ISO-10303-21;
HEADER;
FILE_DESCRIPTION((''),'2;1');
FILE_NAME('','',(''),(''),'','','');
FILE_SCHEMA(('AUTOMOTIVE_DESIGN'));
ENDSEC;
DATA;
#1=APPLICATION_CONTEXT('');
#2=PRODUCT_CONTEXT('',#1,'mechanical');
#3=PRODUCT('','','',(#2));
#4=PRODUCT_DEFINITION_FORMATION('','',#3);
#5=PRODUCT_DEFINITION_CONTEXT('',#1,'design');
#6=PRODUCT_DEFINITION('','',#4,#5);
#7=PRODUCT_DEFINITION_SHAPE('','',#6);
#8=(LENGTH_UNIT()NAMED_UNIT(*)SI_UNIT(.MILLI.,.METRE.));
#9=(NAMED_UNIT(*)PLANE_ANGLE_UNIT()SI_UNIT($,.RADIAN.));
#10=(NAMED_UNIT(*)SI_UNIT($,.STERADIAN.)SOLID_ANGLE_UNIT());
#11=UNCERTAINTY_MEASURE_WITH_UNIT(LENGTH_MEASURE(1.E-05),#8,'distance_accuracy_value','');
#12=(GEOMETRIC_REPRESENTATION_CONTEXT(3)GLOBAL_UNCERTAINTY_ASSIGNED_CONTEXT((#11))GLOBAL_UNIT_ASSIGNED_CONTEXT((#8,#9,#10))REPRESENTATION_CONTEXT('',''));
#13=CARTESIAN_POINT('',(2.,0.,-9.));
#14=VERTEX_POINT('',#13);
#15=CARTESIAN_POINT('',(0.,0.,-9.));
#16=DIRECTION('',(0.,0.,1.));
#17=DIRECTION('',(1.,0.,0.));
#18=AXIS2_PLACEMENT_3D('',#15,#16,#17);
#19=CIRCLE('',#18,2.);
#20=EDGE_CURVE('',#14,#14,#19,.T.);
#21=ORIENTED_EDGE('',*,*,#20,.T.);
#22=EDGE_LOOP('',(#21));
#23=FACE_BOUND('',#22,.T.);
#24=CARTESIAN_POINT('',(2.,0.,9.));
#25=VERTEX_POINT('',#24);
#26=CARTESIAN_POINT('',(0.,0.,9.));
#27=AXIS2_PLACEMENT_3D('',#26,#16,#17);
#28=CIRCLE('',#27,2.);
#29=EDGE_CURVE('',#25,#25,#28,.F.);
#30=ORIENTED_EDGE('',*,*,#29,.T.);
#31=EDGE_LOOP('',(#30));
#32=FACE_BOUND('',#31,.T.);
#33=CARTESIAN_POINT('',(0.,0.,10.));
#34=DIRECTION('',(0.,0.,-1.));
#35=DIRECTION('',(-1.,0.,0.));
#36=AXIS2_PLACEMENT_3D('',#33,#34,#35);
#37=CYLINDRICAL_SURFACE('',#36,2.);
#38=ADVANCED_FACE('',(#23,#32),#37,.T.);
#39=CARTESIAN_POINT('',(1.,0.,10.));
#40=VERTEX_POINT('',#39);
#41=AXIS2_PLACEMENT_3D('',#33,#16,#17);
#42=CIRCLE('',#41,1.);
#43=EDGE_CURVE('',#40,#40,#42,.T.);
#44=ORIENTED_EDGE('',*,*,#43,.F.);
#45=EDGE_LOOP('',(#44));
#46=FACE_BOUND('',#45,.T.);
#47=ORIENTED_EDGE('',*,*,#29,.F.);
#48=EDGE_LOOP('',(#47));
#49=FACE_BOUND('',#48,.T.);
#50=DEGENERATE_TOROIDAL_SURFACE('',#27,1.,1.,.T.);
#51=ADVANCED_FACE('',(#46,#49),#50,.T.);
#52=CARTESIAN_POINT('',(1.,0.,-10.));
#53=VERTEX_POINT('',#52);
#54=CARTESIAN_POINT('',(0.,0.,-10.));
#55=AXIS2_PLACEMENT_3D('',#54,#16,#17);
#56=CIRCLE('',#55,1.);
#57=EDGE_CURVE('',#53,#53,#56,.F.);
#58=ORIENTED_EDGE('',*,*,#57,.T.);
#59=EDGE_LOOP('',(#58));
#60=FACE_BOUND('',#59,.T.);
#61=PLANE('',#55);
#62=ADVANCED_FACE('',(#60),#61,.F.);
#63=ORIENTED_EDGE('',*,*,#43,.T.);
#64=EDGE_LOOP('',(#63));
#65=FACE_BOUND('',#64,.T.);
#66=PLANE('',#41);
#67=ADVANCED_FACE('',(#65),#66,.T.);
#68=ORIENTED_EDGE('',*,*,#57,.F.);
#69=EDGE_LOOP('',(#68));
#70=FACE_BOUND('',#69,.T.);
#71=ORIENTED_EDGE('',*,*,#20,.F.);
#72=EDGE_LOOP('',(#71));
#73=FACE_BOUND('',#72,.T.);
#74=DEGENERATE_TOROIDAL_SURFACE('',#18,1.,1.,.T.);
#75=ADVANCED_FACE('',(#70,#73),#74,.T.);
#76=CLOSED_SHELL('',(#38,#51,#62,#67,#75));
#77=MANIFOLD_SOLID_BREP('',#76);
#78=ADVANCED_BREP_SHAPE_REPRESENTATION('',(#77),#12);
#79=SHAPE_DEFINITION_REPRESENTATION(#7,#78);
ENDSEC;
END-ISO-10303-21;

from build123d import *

# Parameters (mm, degrees)
SKETCH_1_R      = 2
EXTRUDE_1_DEPTH = 10
FILLET_1_R      = 1


with BuildPart() as part:
    # 스케치1 → 보스-돌출1 (new body, symmetric)
    with BuildSketch(Plane.XY):
        Circle(SKETCH_1_R)
    extrude(amount=EXTRUDE_1_DEPTH, both=True)

    # 필렛1
    fillet_1_edges = [part.edges().sort_by_distance(p)[0] for p in [
        (-2, 0, -10),
        (-2, 0, 10),
    ]]
    fillet(fillet_1_edges, radius=FILLET_1_R)


solid = part.part
